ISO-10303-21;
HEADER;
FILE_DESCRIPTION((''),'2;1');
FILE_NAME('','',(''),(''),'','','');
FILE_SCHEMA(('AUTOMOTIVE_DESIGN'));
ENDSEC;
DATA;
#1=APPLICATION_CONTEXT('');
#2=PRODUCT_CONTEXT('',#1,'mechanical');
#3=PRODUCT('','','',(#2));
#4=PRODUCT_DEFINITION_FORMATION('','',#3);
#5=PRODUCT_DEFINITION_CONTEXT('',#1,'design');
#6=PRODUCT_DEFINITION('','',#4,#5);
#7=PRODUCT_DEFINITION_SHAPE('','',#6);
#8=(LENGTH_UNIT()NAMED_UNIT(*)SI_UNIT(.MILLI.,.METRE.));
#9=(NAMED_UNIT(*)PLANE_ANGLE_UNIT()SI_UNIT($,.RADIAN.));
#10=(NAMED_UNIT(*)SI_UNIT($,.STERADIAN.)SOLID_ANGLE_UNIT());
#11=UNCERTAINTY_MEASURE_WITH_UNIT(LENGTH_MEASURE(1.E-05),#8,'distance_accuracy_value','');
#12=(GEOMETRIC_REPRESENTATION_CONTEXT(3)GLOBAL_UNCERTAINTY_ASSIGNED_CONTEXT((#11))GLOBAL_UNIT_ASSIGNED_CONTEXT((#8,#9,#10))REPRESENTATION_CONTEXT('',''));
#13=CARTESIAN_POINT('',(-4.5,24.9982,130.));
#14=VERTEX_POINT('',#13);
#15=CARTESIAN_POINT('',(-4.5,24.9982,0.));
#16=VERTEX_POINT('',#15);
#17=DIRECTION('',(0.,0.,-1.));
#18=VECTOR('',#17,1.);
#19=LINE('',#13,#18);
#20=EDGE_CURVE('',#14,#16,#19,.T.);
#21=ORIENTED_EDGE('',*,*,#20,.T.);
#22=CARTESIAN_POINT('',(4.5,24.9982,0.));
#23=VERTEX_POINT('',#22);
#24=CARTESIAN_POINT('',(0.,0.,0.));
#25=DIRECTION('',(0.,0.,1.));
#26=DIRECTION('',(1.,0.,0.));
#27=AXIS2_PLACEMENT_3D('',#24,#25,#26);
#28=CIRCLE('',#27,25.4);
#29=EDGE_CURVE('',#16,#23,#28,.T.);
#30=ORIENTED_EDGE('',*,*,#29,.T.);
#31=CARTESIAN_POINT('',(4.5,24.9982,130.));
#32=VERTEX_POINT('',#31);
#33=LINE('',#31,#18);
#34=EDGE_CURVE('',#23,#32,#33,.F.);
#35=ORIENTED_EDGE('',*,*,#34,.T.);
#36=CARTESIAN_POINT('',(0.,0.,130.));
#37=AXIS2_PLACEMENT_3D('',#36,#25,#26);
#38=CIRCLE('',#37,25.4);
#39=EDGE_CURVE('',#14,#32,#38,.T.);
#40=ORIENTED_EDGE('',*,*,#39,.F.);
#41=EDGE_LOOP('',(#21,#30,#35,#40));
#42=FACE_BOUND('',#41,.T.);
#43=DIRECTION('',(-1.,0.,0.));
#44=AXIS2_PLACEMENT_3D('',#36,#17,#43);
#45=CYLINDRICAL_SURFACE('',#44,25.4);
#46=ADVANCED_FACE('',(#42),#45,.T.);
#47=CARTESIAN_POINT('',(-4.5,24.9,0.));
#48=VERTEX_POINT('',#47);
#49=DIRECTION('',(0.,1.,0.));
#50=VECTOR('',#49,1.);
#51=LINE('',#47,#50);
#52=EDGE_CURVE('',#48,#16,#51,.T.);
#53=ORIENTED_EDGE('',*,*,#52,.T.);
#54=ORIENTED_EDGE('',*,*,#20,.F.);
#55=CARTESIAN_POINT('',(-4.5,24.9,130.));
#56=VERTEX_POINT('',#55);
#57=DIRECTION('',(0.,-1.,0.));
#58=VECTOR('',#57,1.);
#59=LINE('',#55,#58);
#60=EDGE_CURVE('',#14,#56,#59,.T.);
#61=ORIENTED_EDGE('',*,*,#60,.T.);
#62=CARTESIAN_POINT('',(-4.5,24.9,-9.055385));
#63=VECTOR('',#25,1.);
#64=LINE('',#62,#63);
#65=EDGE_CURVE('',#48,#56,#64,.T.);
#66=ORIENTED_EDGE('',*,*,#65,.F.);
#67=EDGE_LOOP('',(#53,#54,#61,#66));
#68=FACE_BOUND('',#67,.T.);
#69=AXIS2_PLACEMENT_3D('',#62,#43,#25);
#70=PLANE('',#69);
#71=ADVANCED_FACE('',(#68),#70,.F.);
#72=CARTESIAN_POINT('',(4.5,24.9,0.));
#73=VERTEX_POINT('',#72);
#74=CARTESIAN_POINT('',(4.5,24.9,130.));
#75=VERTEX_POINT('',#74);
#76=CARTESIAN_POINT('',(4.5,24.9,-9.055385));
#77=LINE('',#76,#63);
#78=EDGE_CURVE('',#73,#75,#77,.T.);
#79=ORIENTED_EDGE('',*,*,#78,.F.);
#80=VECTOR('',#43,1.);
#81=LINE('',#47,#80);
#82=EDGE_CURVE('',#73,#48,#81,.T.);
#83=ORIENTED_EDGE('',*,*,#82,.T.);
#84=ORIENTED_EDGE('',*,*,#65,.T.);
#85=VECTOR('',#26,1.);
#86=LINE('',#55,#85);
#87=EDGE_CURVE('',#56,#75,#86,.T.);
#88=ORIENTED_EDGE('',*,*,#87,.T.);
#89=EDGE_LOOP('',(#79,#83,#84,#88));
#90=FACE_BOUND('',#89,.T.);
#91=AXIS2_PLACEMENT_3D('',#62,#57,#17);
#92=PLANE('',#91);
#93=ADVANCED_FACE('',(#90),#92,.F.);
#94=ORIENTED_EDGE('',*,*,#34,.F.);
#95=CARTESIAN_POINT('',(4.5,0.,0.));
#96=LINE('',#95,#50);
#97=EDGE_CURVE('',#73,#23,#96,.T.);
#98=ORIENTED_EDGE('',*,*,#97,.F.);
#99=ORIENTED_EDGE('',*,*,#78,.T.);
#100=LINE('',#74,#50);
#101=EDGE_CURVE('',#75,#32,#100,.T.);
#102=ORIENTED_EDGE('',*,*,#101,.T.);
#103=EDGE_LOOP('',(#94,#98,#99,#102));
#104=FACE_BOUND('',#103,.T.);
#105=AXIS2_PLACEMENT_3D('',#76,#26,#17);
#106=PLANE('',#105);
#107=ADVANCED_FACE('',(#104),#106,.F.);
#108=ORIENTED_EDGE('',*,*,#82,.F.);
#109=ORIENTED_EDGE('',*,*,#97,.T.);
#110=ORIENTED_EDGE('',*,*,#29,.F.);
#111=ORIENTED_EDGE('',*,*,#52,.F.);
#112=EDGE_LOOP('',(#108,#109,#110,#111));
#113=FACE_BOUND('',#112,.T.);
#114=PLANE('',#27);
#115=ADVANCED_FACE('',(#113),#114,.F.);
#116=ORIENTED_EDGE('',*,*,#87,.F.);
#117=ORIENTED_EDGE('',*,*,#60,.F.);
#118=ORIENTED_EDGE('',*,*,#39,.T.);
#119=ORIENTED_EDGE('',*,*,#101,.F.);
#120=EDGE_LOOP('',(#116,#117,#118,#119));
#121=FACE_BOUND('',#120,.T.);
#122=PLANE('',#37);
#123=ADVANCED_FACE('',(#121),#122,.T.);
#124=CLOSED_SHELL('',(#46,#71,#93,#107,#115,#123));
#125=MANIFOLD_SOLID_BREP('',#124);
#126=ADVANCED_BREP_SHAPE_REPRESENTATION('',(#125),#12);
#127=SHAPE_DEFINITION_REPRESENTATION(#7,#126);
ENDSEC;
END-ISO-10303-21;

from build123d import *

# Parameters (mm, degrees)
CROQUIS1_R              = 25.4
SALIENTE_EXTRUIR1_DEPTH = 130
CROQUIS2_W              = 9
CROQUIS2_H              = 1
CORTAR_EXTRUIR1_DEPTH   = 130


with BuildPart() as part:
    # Croquis1 → Saliente-Extruir1 (new body)
    with BuildSketch(Plane.XY):
        Circle(CROQUIS1_R)
    extrude(amount=SALIENTE_EXTRUIR1_DEPTH)

    # Croquis2 → Cortar-Extruir1 (cut)
    with BuildSketch(Plane.XY.offset(130)):
        with Locations((0, 25.4)):
            Rectangle(CROQUIS2_W, CROQUIS2_H)
    extrude(amount=-CORTAR_EXTRUIR1_DEPTH, mode=Mode.SUBTRACT)


solid = part.part
